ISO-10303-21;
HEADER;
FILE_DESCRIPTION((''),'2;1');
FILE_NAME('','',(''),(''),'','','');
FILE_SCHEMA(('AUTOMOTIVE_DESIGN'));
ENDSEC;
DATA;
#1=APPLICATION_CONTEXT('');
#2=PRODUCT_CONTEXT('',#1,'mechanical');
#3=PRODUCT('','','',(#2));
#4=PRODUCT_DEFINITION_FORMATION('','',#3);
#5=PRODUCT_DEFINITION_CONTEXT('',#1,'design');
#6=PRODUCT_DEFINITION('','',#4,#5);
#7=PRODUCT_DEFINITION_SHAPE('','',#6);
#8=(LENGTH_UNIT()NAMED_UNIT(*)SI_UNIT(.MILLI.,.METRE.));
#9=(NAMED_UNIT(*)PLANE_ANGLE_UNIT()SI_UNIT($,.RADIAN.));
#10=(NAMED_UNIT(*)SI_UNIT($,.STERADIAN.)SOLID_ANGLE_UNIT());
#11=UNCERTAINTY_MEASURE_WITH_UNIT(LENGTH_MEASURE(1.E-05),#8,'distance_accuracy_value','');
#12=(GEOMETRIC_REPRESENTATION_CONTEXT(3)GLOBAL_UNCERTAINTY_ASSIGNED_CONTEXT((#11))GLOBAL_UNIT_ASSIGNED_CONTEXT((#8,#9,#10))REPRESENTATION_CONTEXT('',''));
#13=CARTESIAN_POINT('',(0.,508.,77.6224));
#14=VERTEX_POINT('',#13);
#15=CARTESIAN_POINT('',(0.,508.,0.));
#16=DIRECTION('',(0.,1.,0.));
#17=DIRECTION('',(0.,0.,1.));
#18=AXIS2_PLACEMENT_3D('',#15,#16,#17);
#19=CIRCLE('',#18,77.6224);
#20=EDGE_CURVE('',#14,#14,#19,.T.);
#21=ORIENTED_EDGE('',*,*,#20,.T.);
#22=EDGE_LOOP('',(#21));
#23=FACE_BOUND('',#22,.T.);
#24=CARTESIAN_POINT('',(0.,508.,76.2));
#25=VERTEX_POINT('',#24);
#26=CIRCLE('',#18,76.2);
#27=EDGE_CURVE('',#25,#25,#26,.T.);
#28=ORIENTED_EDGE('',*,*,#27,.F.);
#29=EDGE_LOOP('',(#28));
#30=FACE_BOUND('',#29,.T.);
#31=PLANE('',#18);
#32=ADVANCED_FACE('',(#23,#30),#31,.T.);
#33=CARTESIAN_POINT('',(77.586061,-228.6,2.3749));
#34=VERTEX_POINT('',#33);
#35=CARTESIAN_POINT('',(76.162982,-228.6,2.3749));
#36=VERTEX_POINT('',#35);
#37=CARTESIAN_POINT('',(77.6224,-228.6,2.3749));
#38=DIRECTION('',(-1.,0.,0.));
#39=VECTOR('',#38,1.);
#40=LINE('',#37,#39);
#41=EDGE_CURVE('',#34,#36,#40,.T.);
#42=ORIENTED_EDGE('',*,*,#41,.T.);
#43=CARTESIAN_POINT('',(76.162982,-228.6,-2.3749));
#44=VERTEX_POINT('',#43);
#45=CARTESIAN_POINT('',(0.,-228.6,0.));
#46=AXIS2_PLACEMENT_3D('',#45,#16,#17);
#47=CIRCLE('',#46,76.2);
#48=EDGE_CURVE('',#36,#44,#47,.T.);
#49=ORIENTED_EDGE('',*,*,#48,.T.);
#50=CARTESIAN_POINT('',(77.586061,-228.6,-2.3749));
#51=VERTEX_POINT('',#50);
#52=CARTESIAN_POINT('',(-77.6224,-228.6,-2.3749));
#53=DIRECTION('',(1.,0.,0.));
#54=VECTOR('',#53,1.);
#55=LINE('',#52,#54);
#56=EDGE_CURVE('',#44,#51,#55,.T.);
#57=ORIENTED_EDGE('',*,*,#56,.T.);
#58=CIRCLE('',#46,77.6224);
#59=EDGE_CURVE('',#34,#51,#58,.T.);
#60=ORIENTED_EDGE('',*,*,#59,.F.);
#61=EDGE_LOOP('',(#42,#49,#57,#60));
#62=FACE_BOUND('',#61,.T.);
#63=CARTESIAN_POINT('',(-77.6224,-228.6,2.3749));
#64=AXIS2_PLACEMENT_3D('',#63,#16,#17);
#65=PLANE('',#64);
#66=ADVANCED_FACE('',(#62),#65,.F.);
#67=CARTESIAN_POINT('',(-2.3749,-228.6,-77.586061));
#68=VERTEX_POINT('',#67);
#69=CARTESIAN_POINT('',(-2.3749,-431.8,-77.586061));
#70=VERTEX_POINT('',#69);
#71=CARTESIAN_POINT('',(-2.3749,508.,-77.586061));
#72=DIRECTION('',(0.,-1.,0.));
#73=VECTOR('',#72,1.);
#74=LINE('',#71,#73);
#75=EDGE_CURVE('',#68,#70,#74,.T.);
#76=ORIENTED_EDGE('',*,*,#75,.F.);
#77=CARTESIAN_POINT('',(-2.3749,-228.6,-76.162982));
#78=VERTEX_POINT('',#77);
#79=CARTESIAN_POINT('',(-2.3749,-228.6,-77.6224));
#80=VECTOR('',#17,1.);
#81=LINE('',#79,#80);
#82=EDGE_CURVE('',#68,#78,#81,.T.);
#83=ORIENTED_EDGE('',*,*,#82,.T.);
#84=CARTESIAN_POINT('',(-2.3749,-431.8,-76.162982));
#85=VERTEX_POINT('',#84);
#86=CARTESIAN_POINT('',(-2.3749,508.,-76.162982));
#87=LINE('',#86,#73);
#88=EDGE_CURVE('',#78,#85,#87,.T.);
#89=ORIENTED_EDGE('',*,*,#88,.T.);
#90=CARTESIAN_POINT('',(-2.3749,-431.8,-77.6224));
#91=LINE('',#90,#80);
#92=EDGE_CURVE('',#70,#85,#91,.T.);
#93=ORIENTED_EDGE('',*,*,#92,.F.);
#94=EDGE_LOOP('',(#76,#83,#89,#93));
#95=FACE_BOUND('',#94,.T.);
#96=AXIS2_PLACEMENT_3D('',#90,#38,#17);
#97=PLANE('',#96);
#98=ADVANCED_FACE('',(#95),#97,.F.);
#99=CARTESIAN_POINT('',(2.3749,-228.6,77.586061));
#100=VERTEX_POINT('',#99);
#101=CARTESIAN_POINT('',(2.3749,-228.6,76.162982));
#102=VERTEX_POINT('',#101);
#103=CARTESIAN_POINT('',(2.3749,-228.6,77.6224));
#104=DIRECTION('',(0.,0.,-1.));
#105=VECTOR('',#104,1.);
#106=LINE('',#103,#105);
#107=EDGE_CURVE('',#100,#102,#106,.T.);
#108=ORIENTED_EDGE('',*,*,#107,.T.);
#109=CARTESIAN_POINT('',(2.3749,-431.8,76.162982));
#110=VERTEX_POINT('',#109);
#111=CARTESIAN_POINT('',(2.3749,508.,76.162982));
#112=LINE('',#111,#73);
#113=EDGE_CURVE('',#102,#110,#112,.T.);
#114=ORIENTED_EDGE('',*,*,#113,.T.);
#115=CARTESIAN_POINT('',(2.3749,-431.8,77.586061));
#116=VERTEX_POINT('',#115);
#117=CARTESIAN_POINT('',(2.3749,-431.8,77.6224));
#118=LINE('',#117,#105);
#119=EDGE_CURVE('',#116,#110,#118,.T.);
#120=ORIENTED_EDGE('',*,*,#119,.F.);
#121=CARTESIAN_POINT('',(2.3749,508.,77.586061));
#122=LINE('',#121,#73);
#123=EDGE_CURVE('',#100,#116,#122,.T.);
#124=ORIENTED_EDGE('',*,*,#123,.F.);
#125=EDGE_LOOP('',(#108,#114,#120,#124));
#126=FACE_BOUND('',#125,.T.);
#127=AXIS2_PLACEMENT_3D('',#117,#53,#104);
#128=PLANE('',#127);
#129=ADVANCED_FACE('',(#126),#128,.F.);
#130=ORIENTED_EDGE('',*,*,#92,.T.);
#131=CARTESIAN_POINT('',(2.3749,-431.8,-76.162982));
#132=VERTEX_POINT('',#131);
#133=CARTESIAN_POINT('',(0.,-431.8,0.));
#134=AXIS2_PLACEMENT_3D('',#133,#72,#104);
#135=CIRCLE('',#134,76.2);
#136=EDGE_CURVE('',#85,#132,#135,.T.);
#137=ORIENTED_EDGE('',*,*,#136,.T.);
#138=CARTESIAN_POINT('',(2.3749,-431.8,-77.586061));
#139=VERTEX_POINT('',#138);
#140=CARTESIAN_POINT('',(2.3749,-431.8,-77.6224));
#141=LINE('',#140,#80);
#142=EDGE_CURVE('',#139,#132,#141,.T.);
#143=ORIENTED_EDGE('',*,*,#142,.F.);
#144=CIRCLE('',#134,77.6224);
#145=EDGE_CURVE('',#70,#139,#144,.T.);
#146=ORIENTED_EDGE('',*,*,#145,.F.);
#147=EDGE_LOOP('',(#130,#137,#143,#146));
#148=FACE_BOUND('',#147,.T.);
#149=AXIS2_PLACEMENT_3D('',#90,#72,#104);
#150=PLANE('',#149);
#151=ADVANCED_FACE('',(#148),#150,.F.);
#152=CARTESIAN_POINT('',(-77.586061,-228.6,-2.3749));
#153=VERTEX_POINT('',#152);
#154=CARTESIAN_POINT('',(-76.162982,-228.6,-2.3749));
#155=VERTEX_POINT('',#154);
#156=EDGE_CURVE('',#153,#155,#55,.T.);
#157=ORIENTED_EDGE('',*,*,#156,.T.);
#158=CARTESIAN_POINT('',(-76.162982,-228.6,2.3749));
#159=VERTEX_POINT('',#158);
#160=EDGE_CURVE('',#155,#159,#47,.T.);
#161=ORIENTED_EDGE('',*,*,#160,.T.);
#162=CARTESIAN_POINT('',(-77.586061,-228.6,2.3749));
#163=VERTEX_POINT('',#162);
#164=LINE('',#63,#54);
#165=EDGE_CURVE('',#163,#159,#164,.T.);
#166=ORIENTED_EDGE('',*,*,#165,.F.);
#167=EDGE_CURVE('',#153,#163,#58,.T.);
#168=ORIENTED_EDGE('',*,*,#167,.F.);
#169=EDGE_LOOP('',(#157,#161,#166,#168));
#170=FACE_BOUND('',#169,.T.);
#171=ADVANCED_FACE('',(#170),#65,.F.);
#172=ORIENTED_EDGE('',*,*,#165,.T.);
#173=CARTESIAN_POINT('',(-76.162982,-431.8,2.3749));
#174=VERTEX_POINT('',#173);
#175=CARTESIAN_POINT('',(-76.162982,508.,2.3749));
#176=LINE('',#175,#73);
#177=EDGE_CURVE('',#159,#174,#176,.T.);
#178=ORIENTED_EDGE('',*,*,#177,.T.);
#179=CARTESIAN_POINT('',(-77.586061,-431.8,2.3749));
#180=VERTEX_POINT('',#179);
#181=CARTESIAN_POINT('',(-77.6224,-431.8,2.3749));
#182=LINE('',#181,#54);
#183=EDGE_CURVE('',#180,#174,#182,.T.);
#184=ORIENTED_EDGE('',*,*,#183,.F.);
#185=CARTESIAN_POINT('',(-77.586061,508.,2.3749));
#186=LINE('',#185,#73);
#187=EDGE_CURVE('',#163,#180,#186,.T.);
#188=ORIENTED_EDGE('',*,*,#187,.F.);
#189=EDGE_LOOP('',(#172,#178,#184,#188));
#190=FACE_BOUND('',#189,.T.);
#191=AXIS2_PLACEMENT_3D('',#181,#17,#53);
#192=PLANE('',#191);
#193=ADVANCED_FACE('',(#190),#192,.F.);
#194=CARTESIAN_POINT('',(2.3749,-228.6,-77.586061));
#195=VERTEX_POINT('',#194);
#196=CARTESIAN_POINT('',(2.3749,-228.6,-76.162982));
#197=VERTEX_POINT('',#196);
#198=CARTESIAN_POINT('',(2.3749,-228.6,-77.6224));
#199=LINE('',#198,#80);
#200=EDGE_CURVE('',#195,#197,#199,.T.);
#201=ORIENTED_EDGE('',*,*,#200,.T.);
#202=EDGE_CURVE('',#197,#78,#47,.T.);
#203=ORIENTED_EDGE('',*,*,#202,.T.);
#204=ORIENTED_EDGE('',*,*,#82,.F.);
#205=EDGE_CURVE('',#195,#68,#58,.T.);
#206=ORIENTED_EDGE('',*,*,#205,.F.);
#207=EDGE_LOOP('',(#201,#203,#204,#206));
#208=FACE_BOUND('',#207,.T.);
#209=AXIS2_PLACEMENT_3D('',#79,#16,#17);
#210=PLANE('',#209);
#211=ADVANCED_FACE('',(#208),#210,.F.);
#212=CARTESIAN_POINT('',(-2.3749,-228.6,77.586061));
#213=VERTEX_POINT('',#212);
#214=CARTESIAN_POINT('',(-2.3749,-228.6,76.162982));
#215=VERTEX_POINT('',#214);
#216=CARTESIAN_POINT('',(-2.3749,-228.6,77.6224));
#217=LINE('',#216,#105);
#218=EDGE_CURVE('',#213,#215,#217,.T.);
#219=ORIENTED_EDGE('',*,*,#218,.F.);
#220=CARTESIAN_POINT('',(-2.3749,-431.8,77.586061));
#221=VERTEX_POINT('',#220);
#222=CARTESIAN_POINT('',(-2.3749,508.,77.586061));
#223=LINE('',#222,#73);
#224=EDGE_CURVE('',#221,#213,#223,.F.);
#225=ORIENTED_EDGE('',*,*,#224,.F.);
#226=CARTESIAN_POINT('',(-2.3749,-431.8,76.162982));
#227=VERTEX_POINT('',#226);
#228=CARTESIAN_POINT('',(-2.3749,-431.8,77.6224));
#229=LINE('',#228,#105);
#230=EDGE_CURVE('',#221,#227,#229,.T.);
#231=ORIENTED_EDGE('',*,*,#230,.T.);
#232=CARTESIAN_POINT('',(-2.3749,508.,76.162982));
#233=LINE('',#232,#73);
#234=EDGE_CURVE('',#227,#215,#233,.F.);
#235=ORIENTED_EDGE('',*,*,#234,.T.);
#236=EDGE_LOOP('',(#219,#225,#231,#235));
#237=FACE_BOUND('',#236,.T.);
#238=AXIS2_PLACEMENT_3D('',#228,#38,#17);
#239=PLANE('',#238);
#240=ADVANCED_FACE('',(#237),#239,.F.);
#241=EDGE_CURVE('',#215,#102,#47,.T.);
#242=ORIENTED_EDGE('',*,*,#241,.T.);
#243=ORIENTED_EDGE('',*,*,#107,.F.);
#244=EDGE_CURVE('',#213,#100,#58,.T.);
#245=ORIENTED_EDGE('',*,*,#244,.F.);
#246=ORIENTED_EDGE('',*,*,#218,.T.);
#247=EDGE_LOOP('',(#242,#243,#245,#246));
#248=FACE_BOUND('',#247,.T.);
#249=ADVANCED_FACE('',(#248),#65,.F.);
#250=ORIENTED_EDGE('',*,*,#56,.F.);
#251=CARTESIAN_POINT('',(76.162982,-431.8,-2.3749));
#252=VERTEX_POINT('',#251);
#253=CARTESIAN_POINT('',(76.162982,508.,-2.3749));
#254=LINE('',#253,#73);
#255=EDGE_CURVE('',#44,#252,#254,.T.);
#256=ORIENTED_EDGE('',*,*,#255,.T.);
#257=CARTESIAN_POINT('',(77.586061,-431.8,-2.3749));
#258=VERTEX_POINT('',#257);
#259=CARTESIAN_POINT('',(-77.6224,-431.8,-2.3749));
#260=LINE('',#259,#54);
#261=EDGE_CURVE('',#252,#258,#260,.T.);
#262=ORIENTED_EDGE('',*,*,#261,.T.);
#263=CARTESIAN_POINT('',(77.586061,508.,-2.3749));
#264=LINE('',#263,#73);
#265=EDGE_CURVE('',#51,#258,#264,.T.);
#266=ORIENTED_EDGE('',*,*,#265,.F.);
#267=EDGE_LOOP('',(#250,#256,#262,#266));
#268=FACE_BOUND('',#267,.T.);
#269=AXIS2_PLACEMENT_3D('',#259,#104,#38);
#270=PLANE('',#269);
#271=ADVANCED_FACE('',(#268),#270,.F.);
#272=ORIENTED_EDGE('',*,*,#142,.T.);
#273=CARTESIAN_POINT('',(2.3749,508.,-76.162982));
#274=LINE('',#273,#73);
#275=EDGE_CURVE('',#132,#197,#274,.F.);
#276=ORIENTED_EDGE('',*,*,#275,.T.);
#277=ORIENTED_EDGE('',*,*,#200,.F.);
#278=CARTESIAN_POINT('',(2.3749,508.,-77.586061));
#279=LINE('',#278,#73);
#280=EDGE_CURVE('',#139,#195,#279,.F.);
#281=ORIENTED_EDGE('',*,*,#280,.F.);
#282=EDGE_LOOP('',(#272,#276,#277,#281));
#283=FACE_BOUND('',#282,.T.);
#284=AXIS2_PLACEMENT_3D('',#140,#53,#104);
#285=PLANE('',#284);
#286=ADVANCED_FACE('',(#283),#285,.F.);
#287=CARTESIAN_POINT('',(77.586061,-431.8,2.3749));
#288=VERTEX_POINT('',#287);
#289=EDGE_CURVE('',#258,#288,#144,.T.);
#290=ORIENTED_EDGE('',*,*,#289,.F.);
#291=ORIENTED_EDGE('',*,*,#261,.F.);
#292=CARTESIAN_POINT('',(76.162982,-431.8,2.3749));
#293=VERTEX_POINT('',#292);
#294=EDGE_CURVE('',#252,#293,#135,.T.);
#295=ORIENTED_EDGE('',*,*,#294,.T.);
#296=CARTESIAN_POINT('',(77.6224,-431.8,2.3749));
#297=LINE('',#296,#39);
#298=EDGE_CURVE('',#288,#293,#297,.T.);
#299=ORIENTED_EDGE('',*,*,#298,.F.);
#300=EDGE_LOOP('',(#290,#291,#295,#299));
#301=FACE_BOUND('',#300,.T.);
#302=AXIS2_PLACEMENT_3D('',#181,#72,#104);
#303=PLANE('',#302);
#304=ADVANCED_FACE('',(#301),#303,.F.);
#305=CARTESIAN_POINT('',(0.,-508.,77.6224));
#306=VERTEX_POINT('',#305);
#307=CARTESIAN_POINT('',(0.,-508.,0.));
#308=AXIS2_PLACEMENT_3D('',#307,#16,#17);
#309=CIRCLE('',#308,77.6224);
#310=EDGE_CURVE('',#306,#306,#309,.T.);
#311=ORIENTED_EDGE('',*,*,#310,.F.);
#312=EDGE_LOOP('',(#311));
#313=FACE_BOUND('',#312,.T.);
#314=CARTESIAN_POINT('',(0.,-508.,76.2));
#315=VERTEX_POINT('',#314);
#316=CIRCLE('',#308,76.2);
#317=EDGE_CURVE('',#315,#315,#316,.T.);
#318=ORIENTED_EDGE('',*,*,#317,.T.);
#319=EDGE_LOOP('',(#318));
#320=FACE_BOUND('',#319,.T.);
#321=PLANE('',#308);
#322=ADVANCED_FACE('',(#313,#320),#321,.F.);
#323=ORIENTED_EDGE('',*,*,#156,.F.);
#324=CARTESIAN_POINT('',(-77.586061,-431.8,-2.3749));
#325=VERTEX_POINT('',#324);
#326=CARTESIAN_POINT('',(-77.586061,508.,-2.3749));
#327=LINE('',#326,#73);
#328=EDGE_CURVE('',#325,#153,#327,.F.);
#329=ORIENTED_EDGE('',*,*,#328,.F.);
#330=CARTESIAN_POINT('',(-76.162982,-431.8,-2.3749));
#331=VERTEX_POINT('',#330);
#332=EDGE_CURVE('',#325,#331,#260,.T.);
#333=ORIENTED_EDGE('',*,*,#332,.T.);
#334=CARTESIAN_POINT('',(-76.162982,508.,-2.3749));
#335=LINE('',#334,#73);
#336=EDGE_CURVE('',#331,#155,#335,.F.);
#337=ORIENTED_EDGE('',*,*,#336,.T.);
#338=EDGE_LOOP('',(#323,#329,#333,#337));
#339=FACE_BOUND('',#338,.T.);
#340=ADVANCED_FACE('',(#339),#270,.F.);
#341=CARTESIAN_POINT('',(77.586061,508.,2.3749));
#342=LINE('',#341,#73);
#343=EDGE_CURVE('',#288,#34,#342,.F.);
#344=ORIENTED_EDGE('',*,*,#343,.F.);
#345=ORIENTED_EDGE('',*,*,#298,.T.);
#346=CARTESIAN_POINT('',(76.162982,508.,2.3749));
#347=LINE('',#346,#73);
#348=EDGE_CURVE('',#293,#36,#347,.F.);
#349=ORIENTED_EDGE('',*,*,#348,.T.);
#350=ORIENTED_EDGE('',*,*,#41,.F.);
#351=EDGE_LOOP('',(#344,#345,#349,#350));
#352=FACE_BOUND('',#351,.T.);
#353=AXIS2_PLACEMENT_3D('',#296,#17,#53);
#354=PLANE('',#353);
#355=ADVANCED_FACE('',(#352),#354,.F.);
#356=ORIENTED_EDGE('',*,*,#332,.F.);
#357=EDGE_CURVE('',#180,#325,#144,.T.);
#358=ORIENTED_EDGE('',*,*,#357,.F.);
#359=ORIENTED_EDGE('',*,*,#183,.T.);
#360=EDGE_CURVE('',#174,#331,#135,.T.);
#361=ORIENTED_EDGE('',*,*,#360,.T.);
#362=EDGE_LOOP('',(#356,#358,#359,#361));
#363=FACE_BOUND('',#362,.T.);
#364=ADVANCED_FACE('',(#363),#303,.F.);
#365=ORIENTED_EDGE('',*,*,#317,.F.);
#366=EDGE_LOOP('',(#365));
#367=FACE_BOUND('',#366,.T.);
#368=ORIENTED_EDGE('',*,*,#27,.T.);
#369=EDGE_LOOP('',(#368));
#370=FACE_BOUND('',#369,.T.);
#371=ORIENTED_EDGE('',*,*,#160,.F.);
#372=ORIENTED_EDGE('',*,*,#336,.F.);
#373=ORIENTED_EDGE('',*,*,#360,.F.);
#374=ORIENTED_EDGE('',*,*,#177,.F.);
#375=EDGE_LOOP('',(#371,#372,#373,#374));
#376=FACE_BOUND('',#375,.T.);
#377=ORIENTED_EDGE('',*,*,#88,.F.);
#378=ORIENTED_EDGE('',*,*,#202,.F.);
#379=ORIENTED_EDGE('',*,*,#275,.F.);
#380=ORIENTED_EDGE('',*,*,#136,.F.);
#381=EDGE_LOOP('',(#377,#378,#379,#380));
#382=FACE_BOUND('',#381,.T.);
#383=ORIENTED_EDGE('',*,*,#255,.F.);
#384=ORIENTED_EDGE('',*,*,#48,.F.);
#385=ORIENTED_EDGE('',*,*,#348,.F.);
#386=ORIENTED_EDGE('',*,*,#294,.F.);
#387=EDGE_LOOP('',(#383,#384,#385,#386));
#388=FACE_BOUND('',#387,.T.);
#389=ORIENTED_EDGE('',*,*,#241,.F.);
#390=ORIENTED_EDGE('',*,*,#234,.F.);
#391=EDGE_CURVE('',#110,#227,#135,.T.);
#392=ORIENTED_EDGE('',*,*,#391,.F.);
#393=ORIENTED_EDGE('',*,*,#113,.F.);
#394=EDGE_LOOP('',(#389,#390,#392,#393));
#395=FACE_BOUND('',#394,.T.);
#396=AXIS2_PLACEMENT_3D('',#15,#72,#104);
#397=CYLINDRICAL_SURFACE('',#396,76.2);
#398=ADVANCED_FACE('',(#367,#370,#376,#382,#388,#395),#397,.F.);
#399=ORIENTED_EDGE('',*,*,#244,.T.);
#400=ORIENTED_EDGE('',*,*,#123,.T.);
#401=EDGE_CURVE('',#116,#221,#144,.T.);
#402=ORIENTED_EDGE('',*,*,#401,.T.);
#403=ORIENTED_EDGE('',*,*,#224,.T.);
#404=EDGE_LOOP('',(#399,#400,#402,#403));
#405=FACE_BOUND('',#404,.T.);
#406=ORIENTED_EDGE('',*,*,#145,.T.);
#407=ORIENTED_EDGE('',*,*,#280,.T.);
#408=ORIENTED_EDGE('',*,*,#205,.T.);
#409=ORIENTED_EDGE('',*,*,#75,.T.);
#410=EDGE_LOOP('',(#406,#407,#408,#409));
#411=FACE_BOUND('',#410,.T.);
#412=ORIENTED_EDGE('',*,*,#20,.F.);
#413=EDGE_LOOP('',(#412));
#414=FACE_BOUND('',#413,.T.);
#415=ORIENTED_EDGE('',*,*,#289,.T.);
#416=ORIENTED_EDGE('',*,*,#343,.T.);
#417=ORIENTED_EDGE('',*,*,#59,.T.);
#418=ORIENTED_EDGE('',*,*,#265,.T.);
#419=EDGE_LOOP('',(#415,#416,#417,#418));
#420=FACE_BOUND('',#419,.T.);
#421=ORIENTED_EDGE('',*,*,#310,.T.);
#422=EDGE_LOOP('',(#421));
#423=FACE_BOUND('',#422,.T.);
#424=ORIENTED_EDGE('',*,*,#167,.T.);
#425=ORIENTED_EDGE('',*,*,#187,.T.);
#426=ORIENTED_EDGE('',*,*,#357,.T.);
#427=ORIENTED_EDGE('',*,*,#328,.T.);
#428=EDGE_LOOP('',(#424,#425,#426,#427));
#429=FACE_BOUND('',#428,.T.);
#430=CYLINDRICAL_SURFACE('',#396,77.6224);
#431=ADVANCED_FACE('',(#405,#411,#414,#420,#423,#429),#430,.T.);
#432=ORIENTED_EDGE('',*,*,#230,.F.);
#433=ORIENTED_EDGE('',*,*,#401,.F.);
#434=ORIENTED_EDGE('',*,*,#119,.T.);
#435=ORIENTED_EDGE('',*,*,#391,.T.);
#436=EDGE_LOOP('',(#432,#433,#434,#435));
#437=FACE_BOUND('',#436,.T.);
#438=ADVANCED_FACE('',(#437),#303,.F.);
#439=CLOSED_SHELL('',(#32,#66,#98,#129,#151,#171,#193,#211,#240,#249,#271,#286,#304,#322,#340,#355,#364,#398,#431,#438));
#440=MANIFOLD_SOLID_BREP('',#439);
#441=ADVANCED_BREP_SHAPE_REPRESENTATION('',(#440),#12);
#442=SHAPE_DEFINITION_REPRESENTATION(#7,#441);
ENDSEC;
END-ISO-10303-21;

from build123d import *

# Parameters (mm, degrees)
SKETCH1_R           = 77.6224
SKETCH1_R_2         = 76.2
BOSS_EXTRUDE1_DEPTH = 508
SKETCH3_W           = 4.7498
SKETCH3_H           = 203.2
CUT_EXTRUDE1_DEPTH  = 520.72538322
CIRPATTERN2_COUNT   = 4


with BuildPart() as part:
    # Sketch1 → Boss-Extrude1 (new, symmetric)
    with BuildSketch(Plane(origin=(0, 0, 0), x_dir=(1, 0, 0), z_dir=(0, 1, 0))):
        with Locations(Location((0, 0, 0), (0, 0, 270))):
            Circle(SKETCH1_R)
        with Locations(Location((0, 0, 0), (0, 0, 270))):
            Circle(SKETCH1_R_2, mode=Mode.SUBTRACT)
    extrude(amount=BOSS_EXTRUDE1_DEPTH, both=True)

    # Sketch3 → Cut-Extrude1 (cut, through all)
    with BuildSketch(Plane.XY):
        with Locations((0, -330.2)):
            Rectangle(SKETCH3_W, SKETCH3_H)
    cut_extrude1 = extrude(amount=-CUT_EXTRUDE1_DEPTH, mode=Mode.SUBTRACT)

    # CirPattern2: Cut-Extrude1 ×4 about axis
    cirpattern2_axis = Axis((0, 0, 0), (0, 1, 0))
    for i in range(1, CIRPATTERN2_COUNT):
        add(cut_extrude1.rotate(cirpattern2_axis, i * 360 / CIRPATTERN2_COUNT), mode=Mode.SUBTRACT)


solid = part.part
